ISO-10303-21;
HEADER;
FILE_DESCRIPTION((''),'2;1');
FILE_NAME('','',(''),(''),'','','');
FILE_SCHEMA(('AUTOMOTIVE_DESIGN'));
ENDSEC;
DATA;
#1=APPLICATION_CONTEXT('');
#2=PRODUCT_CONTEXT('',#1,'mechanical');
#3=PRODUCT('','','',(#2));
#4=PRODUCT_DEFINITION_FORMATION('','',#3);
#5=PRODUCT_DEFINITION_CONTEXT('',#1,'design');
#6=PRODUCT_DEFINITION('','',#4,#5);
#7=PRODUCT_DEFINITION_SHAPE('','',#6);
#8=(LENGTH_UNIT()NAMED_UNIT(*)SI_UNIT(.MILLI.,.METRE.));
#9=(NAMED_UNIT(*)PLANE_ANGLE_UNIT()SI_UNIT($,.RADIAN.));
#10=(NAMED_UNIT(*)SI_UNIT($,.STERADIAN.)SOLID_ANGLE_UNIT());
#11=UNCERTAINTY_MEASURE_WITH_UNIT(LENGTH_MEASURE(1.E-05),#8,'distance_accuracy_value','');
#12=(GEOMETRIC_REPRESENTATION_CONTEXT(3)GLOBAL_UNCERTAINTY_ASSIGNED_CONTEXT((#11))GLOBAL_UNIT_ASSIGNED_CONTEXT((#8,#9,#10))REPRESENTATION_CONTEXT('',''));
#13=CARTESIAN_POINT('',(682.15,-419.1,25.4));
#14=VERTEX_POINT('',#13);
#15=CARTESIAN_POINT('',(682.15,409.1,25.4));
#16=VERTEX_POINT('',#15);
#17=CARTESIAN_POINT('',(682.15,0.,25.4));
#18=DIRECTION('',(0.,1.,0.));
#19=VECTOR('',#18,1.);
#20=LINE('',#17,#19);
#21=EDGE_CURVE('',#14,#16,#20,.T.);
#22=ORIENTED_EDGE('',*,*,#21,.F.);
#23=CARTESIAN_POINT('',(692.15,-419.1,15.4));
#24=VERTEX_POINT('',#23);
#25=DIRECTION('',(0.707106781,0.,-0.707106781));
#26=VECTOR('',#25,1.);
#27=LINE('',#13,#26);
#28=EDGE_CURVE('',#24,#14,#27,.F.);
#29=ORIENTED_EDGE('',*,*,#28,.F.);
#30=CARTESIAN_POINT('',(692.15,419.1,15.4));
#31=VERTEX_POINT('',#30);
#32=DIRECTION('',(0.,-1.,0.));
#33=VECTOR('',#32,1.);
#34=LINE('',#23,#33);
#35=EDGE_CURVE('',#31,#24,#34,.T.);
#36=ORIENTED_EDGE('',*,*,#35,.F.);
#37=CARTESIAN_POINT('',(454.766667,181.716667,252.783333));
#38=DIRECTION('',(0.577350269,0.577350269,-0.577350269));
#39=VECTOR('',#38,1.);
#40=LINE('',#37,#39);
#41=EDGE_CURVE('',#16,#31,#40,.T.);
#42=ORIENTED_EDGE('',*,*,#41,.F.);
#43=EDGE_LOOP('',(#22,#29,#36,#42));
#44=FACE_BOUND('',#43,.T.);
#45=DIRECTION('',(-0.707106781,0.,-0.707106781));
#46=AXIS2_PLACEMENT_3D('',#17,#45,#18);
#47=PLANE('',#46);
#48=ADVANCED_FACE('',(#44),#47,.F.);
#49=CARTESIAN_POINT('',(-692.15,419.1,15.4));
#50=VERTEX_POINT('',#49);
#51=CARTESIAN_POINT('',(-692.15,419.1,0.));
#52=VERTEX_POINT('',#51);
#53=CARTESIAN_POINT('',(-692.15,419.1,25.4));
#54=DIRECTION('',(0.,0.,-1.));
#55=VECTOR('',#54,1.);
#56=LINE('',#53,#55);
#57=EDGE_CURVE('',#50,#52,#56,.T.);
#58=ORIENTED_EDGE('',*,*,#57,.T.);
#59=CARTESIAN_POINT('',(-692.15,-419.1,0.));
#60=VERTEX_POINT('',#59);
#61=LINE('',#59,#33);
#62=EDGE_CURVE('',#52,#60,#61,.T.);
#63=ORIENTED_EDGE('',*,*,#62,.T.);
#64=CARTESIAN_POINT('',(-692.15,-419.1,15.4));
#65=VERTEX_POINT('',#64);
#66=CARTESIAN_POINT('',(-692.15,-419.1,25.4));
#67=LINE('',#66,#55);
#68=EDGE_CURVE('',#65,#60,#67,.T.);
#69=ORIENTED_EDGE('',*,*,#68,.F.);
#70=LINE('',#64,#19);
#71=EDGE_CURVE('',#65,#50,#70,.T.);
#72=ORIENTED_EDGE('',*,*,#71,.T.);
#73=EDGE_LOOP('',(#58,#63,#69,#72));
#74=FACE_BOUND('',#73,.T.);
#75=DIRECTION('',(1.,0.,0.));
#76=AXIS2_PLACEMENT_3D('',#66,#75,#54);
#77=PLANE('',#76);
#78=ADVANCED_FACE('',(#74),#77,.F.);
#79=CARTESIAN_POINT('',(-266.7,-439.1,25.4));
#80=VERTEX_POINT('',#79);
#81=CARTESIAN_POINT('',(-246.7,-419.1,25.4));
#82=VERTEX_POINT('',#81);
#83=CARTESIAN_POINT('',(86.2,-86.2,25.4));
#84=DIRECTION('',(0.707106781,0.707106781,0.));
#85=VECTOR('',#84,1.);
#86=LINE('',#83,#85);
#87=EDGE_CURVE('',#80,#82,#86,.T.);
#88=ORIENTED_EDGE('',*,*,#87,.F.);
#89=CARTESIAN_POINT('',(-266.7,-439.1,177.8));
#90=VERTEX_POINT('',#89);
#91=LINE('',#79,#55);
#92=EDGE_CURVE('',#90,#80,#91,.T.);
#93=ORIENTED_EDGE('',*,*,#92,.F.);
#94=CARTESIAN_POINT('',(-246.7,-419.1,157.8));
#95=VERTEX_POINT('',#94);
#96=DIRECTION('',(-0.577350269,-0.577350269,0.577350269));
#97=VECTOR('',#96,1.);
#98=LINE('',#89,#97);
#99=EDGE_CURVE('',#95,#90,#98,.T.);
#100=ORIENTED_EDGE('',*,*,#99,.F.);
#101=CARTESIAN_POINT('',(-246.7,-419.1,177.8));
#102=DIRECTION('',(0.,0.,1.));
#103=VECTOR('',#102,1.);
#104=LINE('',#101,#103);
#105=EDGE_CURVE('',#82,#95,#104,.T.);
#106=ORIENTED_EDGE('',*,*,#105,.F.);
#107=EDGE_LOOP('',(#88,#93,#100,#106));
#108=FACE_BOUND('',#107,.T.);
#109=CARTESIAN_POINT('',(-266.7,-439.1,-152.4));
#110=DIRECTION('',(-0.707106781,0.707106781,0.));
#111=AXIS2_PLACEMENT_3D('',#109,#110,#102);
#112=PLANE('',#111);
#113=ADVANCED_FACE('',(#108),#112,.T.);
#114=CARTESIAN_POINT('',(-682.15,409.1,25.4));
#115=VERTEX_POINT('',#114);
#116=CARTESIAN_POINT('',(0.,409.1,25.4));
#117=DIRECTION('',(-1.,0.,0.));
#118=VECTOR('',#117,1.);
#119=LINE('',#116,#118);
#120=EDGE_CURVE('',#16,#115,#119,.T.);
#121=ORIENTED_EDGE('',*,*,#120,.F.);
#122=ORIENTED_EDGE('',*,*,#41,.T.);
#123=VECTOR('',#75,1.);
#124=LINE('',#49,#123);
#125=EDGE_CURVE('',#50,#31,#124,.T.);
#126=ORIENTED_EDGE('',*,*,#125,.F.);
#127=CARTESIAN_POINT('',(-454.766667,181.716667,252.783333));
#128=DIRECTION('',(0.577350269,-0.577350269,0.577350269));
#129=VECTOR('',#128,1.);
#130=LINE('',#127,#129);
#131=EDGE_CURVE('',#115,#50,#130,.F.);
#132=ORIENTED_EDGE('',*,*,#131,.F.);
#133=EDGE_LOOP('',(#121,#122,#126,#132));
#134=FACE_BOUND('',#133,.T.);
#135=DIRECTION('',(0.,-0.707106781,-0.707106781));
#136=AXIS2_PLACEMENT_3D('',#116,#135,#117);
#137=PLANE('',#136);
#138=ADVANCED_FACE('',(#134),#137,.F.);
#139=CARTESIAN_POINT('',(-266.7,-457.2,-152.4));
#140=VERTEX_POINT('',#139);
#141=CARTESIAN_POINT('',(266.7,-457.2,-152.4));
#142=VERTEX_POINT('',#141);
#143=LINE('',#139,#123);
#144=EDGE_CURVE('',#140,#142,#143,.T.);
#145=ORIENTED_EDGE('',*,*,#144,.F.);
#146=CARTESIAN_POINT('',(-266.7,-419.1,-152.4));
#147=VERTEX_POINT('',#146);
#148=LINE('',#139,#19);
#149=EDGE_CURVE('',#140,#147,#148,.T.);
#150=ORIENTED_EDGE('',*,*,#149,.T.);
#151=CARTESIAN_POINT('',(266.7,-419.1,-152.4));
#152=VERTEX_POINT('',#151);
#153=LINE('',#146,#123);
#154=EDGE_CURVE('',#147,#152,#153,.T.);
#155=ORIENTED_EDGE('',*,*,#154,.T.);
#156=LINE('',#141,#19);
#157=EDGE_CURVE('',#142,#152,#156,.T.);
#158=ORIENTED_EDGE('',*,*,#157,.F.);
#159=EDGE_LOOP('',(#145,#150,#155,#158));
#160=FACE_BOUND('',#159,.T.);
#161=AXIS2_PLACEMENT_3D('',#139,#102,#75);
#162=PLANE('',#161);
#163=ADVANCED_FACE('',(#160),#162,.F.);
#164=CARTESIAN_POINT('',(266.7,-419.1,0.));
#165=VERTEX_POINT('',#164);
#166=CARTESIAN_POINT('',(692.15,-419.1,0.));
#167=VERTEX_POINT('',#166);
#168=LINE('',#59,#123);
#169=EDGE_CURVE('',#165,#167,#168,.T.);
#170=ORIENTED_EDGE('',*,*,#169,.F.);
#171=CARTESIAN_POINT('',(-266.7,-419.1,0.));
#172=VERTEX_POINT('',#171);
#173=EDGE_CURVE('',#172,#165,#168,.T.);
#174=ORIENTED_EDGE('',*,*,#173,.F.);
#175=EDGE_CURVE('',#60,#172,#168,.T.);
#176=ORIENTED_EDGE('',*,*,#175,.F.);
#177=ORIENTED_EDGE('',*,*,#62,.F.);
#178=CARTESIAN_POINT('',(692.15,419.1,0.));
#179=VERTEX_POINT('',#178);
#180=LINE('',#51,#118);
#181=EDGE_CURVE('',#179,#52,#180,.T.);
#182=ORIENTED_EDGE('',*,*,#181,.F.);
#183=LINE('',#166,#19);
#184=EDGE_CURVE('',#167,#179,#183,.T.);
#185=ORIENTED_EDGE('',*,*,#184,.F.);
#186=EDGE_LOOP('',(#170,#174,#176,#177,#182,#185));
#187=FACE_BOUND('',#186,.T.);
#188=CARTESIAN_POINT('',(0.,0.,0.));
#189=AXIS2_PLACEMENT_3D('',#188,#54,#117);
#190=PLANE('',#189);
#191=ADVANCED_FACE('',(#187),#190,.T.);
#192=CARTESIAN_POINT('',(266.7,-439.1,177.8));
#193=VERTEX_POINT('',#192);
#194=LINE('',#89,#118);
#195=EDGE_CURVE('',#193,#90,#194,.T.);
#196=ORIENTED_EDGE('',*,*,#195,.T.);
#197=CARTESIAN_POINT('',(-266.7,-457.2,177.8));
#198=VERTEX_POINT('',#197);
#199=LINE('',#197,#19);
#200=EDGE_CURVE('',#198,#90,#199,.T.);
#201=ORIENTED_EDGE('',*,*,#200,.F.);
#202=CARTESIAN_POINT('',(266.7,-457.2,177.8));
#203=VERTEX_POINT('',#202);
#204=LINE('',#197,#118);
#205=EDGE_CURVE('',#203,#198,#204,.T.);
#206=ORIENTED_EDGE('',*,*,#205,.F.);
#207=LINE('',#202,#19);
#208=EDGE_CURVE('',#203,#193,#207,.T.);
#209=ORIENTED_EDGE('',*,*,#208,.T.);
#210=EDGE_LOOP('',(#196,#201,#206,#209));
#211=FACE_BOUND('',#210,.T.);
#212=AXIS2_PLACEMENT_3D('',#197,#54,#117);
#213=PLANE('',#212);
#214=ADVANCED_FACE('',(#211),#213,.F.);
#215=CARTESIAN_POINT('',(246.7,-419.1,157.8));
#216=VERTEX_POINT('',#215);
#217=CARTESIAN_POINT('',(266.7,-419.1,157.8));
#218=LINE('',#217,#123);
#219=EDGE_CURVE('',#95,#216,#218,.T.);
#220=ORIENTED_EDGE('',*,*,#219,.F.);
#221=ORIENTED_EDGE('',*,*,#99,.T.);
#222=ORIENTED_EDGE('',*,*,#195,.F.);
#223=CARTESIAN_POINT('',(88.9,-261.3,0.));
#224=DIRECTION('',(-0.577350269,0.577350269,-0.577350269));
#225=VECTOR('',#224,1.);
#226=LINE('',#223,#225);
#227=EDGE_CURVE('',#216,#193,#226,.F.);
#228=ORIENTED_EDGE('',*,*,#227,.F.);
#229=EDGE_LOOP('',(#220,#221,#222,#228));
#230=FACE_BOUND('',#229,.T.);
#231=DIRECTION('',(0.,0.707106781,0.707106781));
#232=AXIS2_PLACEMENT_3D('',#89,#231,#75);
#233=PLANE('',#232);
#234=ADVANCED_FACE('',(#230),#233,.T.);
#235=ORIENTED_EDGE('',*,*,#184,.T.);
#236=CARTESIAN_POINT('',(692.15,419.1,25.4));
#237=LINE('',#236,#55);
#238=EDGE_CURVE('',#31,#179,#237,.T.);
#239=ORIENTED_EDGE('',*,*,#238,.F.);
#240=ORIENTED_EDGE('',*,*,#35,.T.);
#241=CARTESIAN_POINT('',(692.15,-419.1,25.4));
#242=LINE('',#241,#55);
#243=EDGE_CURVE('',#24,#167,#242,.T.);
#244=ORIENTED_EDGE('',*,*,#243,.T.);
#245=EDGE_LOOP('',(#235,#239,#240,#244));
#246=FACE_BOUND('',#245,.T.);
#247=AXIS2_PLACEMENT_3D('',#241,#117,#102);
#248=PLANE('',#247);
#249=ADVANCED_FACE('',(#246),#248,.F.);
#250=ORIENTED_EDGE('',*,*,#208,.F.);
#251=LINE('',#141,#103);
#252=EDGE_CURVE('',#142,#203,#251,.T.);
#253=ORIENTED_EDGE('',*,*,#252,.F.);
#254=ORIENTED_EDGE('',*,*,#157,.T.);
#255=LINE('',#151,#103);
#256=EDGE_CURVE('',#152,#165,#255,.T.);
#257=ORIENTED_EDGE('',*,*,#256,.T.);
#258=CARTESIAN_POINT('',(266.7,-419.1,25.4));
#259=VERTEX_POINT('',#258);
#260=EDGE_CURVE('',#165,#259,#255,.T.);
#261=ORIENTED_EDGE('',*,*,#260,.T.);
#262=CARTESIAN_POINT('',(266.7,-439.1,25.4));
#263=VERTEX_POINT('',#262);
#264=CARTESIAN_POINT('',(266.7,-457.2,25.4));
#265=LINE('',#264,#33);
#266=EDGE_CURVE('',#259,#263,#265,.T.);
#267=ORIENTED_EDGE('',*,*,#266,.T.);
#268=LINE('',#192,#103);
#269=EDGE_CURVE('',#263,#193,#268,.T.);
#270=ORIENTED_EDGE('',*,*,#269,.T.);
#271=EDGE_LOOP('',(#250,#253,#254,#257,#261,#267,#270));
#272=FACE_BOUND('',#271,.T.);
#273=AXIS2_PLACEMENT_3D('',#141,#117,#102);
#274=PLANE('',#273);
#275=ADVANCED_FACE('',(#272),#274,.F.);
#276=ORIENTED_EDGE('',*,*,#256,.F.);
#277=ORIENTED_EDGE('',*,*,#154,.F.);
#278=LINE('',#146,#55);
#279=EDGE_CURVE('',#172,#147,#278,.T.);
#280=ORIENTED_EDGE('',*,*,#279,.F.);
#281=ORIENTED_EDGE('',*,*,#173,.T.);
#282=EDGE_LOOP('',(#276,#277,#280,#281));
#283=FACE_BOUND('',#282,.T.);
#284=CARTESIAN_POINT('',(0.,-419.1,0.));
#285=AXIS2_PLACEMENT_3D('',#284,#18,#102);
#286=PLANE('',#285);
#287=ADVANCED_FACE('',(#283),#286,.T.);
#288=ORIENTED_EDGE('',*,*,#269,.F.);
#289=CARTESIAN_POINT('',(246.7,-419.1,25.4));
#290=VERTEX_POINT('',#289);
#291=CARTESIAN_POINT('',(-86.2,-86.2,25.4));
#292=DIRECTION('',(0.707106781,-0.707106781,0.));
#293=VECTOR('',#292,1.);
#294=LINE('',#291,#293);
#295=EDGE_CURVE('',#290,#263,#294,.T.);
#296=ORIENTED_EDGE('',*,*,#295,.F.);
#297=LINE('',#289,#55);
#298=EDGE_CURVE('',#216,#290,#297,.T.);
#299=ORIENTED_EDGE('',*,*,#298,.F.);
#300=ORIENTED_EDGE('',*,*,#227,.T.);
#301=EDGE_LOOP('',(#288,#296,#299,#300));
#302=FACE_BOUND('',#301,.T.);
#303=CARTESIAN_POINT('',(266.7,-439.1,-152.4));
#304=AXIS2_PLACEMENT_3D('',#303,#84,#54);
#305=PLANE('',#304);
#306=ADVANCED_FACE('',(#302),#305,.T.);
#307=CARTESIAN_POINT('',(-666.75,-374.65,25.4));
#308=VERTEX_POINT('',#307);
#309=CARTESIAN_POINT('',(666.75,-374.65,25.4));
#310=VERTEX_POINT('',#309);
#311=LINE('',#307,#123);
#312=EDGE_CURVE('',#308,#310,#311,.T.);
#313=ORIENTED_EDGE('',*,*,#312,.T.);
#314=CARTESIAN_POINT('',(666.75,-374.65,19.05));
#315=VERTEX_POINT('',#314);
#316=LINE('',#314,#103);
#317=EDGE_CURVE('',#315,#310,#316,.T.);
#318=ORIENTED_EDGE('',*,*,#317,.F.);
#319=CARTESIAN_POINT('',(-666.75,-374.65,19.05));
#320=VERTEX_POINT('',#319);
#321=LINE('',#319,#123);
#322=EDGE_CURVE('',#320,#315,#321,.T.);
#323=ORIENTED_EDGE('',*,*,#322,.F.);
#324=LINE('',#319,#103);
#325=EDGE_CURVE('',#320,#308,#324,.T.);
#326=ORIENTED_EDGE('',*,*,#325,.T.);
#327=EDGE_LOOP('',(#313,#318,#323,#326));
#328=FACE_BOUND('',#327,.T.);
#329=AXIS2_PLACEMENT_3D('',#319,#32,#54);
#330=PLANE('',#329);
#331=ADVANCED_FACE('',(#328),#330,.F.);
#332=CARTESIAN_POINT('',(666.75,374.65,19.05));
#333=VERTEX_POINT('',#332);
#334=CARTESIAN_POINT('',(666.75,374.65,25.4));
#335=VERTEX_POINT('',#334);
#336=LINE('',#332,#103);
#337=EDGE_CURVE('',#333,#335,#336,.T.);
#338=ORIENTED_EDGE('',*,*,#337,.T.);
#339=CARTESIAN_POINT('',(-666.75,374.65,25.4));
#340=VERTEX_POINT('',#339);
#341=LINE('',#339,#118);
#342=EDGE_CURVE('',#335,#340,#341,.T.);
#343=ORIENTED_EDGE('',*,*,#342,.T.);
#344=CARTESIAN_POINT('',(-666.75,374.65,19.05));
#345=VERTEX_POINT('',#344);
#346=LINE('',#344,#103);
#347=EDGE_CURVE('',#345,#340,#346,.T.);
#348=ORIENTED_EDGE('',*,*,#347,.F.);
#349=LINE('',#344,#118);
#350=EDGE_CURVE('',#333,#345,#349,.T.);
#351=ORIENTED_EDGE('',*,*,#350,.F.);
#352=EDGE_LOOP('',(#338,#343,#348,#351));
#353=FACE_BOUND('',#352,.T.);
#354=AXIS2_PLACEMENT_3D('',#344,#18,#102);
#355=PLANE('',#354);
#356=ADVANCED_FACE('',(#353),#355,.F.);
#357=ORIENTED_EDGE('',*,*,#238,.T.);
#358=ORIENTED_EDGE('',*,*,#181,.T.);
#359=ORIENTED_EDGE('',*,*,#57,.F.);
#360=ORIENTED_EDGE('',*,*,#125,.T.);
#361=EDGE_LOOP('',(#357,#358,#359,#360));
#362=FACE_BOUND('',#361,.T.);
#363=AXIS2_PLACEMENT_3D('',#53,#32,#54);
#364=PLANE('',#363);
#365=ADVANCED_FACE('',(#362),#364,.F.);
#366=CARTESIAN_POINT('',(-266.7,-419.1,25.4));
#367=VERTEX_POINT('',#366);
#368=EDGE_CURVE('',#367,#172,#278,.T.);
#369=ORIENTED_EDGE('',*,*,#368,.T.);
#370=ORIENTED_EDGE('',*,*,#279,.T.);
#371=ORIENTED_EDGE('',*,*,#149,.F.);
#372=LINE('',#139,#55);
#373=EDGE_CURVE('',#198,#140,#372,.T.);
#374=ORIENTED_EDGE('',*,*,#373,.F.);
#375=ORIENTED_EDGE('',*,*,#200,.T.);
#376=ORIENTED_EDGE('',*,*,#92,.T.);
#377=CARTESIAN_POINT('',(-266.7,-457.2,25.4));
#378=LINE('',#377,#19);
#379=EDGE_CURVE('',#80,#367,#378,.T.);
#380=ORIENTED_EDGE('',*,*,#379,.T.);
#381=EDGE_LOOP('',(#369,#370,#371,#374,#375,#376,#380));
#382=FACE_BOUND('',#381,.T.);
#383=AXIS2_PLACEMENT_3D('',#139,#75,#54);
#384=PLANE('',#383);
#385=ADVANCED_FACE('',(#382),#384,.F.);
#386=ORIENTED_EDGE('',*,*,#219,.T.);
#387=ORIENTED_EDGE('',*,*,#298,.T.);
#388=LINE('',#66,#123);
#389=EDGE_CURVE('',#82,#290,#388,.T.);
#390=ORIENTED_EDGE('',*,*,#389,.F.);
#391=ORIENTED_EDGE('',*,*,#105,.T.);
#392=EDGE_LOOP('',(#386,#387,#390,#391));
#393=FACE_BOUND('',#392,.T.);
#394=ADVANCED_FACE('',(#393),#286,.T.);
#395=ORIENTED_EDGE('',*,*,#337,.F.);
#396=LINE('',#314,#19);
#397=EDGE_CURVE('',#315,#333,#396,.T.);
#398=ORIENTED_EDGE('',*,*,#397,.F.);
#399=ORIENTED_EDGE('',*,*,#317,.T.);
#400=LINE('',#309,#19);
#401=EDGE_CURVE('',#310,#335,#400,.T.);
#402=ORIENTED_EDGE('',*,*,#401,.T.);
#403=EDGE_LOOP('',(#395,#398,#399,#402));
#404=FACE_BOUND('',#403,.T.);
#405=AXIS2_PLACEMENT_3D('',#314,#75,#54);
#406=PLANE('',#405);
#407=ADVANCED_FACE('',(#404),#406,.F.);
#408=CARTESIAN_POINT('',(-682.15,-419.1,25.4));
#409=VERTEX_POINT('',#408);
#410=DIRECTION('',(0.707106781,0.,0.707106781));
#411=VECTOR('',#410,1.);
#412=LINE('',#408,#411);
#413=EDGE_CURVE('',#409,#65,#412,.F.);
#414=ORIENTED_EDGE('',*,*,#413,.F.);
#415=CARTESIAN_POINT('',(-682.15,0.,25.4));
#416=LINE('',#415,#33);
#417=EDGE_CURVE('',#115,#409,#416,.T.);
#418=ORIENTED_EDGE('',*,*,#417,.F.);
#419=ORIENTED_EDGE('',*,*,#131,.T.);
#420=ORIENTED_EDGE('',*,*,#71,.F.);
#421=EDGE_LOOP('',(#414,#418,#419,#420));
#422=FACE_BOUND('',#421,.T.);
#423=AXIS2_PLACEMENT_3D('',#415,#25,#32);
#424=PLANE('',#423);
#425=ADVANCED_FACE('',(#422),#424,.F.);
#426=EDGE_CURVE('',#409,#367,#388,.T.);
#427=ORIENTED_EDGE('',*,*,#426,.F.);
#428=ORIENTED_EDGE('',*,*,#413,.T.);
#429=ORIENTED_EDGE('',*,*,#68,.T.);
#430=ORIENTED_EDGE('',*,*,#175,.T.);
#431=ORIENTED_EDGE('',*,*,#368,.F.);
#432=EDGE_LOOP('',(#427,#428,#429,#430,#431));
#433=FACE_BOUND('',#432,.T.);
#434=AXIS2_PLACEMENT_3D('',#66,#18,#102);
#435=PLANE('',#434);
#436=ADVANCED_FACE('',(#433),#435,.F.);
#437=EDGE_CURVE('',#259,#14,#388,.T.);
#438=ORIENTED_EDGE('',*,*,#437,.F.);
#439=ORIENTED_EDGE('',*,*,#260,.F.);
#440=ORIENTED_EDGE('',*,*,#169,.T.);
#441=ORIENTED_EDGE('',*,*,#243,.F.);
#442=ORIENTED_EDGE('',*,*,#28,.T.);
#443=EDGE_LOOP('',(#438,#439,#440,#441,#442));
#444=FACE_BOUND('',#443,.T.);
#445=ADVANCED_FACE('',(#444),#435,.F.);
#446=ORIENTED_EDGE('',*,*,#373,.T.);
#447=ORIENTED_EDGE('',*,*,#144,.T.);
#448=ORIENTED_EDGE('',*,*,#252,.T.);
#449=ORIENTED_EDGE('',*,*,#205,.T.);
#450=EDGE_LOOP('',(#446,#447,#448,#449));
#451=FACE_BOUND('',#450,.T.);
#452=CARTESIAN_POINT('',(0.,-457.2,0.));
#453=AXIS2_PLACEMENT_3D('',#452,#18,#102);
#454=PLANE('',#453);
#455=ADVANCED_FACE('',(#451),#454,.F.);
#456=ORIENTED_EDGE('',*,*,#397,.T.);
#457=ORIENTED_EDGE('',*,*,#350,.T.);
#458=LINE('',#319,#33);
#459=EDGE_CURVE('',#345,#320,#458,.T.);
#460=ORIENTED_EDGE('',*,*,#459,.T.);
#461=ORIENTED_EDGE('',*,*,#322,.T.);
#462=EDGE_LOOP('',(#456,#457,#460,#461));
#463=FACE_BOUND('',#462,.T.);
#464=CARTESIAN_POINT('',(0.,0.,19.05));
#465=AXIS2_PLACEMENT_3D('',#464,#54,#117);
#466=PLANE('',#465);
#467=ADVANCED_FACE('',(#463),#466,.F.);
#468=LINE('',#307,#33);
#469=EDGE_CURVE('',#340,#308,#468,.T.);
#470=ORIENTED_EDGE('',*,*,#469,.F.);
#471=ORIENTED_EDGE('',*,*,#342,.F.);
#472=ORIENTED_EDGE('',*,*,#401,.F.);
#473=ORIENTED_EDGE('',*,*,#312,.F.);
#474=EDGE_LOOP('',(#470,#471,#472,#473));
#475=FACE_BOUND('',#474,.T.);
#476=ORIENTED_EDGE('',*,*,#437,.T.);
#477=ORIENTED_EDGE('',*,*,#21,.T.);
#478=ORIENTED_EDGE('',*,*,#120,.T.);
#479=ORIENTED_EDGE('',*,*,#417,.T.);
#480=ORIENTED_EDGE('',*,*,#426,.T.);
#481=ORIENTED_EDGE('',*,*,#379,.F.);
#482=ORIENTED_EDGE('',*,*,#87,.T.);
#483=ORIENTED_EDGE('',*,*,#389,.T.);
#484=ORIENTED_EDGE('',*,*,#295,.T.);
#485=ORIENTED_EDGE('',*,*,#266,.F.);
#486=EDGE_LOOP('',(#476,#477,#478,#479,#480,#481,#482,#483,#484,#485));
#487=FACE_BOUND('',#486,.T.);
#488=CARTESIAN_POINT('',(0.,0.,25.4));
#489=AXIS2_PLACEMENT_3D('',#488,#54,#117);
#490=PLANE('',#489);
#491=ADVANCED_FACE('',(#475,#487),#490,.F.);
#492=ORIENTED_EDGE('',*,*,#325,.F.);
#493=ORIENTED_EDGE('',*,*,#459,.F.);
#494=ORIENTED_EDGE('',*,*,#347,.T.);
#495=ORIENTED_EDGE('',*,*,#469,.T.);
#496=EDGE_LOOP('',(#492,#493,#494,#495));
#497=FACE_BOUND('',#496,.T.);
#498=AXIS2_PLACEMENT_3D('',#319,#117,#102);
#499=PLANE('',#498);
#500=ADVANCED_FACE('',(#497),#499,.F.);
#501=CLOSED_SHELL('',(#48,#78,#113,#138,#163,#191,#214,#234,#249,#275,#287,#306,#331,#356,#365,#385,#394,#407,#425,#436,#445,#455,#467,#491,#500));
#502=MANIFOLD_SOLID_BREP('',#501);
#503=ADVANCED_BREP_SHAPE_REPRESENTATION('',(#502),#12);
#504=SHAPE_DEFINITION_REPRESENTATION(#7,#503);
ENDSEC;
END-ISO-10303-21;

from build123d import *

# Parameters (mm, degrees)
SKETCH1_W           = 1384.3
SKETCH1_H           = 838.2
BOSS_EXTRUDE1_DEPTH = 25.4
CHAMFER1_SIZE       = 10
SKETCH2_W           = 1333.5
SKETCH2_H           = 749.3
CUT_EXTRUDE1_DEPTH  = 6.35
SKETCH3_W           = 533.4
SKETCH3_H           = 330.2
BOSS_EXTRUDE2_DEPTH = 38.1
CHAMFER2_SIZE       = 20


with BuildPart() as part:
    # Sketch1 → Boss-Extrude1 (new body)
    with BuildSketch(Plane.XY):
        Rectangle(SKETCH1_W, SKETCH1_H)
    extrude(amount=BOSS_EXTRUDE1_DEPTH)

    # Chamfer1
    chamfer1_edges = [part.edges().sort_by_distance(p)[0] for p in [
        (-692.15, 0, 25.4),
        (692.15, 0, 25.4),
        (0, 419.1, 25.4),
    ]]
    chamfer(chamfer1_edges, length=CHAMFER1_SIZE)

    # Sketch2 → Cut-Extrude1 (cut)
    with BuildSketch(Plane.XY.offset(25.4)):
        Rectangle(SKETCH2_W, SKETCH2_H)
    extrude(amount=-CUT_EXTRUDE1_DEPTH, mode=Mode.SUBTRACT)

    # Sketch3 → Boss-Extrude2 (add)
    with BuildSketch(Plane.XZ.offset(419.1)):
        with Locations((0, 12.7)):
            Rectangle(SKETCH3_W, SKETCH3_H)
    extrude(amount=BOSS_EXTRUDE2_DEPTH)

    # Chamfer2
    chamfer2_edges = [part.edges().sort_by_distance(p)[0] for p in [
        (266.7, -419.1, 101.6),
        (-266.7, -419.1, 101.6),
        (0, -419.1, 177.8),
    ]]
    chamfer(chamfer2_edges, length=CHAMFER2_SIZE)


solid = part.part
